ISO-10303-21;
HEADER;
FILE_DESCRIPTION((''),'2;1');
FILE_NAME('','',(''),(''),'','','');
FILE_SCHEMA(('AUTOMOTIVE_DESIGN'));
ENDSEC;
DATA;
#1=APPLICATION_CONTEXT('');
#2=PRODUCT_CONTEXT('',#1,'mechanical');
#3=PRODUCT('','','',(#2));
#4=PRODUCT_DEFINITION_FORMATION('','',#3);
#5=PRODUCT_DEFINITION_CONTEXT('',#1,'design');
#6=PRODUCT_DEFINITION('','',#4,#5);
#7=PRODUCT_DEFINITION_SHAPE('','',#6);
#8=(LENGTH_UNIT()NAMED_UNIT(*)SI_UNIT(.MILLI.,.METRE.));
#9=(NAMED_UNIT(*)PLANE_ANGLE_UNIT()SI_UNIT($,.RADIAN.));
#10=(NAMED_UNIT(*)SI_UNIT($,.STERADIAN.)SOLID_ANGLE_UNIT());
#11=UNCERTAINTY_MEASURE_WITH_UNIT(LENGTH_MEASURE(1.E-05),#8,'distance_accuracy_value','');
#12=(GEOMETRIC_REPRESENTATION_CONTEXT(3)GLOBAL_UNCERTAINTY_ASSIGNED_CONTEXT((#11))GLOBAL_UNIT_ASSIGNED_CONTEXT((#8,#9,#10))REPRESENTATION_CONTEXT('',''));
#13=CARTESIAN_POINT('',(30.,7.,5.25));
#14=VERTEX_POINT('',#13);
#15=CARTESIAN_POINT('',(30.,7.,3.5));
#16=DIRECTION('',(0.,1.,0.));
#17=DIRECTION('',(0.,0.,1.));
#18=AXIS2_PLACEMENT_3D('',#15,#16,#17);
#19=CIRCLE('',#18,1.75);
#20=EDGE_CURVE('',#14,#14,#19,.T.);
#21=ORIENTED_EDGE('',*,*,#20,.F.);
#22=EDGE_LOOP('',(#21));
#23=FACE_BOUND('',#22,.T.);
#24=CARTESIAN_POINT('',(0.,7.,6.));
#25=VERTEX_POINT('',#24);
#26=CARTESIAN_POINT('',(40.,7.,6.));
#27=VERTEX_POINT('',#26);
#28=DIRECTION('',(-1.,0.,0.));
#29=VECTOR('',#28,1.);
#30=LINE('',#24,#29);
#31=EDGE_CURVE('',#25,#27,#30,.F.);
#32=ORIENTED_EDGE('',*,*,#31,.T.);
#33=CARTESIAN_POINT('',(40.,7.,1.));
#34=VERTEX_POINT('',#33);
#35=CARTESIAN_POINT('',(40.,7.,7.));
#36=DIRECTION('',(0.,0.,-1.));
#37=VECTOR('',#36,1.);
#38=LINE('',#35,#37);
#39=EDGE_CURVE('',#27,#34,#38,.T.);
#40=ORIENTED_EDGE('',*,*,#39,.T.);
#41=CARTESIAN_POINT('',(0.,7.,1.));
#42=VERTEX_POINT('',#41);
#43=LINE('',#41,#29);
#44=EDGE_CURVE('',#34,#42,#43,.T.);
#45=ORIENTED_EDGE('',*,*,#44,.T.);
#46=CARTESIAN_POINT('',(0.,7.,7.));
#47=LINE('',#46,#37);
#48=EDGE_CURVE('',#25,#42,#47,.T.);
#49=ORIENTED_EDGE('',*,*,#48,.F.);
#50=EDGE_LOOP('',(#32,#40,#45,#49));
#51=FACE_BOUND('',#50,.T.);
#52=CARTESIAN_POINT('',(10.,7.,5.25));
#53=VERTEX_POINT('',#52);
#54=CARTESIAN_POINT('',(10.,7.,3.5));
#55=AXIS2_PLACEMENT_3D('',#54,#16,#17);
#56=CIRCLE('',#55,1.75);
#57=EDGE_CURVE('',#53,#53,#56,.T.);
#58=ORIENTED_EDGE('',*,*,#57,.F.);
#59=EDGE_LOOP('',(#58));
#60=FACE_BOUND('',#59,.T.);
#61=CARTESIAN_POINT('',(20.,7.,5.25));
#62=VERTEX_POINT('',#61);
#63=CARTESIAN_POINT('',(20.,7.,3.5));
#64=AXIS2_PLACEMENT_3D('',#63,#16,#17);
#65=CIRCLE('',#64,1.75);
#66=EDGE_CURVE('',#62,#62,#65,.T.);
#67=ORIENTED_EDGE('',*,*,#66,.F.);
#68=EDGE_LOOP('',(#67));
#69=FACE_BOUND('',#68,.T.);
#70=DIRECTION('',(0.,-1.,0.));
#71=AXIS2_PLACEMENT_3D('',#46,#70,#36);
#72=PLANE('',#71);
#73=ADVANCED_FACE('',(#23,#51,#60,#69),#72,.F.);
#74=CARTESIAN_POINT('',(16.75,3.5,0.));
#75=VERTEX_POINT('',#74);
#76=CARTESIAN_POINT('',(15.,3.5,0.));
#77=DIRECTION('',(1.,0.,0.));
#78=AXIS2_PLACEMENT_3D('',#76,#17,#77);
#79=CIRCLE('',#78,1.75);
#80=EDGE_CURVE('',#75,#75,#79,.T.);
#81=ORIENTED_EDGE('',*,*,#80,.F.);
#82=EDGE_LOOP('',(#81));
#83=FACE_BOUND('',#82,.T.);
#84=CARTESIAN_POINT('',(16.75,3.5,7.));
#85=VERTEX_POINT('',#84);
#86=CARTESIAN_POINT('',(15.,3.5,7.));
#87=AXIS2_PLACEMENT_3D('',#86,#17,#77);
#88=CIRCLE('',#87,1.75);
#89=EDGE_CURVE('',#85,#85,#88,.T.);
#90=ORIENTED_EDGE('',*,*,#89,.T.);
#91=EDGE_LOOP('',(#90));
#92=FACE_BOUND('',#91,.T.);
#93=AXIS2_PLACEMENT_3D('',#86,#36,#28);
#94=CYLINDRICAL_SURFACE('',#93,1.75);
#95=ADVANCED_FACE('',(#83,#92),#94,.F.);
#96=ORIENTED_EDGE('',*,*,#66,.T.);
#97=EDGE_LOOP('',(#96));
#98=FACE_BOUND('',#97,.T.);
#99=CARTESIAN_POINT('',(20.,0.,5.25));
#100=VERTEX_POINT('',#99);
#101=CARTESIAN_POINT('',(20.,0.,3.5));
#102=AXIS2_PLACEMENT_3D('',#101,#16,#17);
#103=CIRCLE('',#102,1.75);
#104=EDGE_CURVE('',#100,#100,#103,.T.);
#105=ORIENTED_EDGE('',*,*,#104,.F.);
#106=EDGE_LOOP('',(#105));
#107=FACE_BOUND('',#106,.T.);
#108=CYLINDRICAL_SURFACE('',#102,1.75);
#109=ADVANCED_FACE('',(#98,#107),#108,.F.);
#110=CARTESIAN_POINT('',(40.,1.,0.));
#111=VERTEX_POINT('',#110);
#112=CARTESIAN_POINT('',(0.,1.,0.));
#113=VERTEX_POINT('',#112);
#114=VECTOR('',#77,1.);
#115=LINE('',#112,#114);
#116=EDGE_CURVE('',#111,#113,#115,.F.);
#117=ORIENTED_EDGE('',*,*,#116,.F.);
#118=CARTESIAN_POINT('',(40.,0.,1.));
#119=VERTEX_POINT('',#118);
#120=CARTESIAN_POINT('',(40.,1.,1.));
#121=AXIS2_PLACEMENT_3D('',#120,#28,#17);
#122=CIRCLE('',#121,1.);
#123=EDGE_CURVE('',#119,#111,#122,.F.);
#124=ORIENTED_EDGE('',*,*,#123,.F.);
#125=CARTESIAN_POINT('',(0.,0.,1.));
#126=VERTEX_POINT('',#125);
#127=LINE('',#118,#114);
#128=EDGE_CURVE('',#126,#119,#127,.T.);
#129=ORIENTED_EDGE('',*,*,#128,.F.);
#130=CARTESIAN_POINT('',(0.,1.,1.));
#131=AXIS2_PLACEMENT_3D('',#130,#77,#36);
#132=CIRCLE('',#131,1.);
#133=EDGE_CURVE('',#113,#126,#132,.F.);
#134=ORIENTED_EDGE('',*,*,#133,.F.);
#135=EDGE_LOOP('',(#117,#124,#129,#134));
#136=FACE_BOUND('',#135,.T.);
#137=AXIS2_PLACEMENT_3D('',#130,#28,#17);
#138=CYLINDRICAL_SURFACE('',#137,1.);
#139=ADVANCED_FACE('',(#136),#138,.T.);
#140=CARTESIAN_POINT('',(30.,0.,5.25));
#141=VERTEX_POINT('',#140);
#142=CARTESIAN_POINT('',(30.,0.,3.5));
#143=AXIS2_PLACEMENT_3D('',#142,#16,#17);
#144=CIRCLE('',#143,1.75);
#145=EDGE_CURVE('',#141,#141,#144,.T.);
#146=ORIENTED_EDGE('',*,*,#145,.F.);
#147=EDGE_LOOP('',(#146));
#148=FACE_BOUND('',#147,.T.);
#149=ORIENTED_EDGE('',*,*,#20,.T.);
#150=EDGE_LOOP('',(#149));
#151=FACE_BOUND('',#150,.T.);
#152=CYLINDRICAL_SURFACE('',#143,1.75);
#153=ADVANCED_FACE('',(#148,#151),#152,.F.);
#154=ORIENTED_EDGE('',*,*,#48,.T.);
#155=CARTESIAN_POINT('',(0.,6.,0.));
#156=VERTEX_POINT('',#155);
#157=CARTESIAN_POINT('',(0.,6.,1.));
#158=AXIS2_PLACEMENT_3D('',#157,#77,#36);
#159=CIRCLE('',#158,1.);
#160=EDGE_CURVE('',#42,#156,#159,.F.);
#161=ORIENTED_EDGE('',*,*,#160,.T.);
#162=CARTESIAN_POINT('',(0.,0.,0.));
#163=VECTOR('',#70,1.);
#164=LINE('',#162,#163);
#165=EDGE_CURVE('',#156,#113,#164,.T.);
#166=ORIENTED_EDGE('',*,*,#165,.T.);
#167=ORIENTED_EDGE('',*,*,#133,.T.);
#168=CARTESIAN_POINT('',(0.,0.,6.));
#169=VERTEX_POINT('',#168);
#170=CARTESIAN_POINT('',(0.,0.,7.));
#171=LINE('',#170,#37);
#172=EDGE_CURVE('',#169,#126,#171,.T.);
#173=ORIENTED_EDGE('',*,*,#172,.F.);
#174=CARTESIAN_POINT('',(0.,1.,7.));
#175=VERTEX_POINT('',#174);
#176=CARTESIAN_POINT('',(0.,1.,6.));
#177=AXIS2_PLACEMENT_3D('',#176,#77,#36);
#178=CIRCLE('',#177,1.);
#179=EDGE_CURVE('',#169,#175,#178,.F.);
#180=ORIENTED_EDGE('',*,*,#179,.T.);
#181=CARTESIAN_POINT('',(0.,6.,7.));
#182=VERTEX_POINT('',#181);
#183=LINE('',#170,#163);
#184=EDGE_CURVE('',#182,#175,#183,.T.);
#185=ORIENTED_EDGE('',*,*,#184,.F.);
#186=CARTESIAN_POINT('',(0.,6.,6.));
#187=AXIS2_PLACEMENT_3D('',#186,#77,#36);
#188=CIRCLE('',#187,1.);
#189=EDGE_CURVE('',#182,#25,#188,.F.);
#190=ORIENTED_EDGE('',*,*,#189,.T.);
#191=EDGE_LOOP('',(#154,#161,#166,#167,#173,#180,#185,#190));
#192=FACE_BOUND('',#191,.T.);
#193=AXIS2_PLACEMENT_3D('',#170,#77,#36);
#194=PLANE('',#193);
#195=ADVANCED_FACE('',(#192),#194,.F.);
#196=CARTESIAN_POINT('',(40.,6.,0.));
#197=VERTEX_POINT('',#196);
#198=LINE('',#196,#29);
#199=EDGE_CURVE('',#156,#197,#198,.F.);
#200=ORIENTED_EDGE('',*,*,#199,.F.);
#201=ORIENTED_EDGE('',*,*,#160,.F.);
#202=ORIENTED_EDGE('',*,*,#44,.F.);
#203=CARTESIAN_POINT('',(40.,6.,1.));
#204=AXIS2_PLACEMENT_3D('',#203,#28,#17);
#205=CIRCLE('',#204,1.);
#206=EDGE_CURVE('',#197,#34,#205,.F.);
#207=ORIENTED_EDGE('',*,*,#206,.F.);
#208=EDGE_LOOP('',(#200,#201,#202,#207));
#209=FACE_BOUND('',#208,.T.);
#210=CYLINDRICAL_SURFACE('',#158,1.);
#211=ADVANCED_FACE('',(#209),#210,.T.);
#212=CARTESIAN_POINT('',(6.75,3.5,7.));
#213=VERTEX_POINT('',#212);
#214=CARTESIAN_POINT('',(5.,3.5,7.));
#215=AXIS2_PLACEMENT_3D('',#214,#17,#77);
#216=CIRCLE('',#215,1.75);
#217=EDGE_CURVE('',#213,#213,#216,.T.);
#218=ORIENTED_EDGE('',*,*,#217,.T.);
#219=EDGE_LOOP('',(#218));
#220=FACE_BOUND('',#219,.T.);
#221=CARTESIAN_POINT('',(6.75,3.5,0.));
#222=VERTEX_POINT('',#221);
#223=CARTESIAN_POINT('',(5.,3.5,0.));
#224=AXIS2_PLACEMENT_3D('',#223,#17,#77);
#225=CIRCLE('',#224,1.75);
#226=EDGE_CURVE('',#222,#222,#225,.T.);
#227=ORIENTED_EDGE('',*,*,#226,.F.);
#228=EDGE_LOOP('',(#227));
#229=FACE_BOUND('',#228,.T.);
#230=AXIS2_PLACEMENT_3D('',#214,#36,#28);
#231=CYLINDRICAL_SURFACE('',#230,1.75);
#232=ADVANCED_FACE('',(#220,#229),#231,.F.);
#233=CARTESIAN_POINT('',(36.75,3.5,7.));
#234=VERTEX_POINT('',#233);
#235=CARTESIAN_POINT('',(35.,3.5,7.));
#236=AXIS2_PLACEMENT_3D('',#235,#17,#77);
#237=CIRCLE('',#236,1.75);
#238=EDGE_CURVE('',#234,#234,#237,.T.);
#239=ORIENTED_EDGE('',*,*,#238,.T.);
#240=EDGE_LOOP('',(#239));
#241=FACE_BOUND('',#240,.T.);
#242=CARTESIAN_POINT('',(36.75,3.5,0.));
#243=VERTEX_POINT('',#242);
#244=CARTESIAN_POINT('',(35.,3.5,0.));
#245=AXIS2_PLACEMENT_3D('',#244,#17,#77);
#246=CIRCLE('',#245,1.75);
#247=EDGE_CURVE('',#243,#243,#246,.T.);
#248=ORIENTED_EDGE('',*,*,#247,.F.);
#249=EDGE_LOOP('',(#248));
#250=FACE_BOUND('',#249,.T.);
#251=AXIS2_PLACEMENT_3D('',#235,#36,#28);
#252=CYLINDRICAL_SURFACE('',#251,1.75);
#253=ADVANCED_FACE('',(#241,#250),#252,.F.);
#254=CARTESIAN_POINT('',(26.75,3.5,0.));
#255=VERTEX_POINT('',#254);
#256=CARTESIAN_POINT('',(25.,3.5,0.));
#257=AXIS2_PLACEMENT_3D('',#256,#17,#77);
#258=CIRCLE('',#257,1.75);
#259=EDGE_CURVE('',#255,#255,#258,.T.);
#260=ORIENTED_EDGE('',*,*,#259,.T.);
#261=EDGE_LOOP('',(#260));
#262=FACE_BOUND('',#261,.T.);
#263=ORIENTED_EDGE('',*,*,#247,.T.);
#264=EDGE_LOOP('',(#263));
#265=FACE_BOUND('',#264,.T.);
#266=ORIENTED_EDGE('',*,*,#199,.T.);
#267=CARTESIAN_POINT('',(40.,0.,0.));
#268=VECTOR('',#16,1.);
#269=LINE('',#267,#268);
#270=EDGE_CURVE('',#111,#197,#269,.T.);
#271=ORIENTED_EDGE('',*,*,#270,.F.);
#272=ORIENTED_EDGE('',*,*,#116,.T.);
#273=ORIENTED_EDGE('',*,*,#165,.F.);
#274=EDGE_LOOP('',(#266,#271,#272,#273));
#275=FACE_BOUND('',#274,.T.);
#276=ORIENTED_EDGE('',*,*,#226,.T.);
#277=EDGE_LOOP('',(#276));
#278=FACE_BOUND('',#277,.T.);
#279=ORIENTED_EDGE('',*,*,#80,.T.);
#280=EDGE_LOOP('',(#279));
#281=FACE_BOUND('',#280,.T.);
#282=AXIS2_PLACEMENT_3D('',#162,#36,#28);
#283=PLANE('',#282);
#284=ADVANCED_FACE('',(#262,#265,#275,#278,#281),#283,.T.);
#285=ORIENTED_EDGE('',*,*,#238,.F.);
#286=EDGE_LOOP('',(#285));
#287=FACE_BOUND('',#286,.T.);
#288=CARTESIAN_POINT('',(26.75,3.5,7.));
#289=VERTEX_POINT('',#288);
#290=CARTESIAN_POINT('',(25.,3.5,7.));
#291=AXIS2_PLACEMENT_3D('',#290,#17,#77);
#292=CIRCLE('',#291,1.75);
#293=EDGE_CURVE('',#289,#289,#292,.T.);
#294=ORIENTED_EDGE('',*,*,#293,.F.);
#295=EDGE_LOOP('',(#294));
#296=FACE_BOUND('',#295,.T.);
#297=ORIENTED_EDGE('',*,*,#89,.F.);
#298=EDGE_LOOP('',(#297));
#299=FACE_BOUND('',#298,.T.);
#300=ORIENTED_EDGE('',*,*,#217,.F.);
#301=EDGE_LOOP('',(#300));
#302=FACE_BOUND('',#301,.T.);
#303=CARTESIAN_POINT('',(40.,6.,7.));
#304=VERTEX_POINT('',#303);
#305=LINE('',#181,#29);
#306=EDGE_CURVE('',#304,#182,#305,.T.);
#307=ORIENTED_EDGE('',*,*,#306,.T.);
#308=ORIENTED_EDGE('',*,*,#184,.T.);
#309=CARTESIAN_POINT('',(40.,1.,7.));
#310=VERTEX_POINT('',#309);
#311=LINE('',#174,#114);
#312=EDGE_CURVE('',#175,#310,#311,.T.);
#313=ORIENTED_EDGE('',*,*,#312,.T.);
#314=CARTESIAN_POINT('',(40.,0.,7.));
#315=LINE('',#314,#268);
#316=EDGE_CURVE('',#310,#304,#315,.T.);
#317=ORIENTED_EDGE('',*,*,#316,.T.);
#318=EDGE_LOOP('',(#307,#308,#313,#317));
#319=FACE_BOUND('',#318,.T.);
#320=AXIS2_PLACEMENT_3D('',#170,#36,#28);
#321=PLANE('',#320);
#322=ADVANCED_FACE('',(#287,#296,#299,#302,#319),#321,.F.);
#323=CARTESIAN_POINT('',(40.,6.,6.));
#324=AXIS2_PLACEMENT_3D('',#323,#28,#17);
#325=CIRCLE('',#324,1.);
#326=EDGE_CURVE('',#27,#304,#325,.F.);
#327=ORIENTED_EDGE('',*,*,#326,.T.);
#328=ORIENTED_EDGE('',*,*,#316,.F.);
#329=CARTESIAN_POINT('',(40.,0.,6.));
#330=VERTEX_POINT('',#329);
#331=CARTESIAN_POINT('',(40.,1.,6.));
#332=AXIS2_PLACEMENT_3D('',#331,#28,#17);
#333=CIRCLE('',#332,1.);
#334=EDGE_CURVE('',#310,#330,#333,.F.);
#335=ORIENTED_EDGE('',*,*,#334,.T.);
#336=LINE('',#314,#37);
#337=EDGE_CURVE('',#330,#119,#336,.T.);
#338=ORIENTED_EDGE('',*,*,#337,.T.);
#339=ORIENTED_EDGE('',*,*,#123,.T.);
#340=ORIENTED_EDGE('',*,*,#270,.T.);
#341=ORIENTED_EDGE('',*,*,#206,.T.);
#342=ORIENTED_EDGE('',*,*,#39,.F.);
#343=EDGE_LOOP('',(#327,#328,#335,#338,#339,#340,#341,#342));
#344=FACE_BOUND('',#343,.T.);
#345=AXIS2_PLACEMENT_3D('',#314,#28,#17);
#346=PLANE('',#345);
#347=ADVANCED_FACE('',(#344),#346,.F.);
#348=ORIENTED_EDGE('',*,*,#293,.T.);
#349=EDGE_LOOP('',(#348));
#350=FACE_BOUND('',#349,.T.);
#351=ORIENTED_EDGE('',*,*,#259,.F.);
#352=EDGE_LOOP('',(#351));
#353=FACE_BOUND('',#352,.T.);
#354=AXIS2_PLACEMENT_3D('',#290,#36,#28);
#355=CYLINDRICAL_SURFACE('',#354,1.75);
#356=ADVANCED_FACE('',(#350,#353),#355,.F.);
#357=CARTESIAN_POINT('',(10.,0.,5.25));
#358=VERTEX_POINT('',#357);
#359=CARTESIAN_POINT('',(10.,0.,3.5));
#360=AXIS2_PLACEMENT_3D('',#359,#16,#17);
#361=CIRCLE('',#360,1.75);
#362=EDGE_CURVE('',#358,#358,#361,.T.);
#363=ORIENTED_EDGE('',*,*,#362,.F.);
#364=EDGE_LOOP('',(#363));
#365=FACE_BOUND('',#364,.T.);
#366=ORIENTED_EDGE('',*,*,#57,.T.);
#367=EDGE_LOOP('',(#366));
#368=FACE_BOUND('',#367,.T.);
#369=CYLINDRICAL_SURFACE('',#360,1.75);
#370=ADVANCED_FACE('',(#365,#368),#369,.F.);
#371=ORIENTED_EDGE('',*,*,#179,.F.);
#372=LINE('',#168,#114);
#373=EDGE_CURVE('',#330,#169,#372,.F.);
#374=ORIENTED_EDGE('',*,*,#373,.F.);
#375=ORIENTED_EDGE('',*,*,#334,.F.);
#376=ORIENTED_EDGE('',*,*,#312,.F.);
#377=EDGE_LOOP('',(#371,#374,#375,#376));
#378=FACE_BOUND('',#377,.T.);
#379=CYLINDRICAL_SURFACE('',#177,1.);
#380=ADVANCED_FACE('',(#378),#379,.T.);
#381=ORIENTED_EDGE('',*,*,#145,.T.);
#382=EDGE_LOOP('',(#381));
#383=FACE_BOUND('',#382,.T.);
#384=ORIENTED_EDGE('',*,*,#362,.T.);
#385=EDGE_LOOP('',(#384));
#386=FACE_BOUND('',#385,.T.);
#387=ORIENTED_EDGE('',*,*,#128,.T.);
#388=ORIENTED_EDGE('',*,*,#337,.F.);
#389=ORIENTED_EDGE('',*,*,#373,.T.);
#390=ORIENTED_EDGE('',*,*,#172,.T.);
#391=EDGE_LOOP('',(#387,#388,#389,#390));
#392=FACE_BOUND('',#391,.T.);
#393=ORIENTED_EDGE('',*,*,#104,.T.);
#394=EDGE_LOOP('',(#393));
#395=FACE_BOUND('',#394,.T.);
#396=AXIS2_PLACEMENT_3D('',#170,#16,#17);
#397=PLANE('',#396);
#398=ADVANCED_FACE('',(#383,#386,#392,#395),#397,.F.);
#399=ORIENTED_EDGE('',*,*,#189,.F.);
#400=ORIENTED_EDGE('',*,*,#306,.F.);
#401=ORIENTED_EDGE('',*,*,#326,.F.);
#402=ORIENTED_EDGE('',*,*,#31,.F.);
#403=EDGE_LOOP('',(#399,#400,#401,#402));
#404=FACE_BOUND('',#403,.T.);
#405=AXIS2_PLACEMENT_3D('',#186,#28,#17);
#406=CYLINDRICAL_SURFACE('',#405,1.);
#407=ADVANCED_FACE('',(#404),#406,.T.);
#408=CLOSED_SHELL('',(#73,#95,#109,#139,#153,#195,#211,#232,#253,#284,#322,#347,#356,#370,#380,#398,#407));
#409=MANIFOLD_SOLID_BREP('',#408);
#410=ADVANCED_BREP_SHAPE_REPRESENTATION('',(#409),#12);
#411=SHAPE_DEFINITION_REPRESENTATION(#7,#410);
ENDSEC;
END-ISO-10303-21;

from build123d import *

# Parameters (mm, degrees)
SKETCH_1_W          = 40
SKETCH_1_H          = 7
SKETCH_1_R          = 1.75
EXTRUDE_1_DEPTH     = 7
SKETCH_2_R          = 1.75
CUT_EXTRUDE_1_DEPTH = 7
FILLET_1_R          = 1


with BuildPart() as part:
    # 草图1 → 凸台-拉伸1 (new body)
    with BuildSketch(Plane.XY):
        with Locations((20, 3.5)):
            Rectangle(SKETCH_1_W, SKETCH_1_H)
        with Locations((5, 3.5)):
            Circle(SKETCH_1_R, mode=Mode.SUBTRACT)
        with Locations((15, 3.5)):
            Circle(SKETCH_1_R, mode=Mode.SUBTRACT)
        with Locations((25, 3.5)):
            Circle(SKETCH_1_R, mode=Mode.SUBTRACT)
        with Locations((35, 3.5)):
            Circle(SKETCH_1_R, mode=Mode.SUBTRACT)
    extrude(amount=EXTRUDE_1_DEPTH)

    # 草图2 → 切除-拉伸1 (cut)
    with BuildSketch(Plane(origin=(0, 7, 0), x_dir=(1, 0, 0), z_dir=(0, 1, 0))):
        with Locations(Location((20, -3.5, 0), (0, 0, 270))):
            Circle(SKETCH_2_R)
        with Locations(Location((30, -3.5, 0), (0, 0, 270))):
            Circle(SKETCH_2_R)
        with Locations(Location((10, -3.5, 0), (0, 0, 270))):
            Circle(SKETCH_2_R)
    extrude(amount=-CUT_EXTRUDE_1_DEPTH, mode=Mode.SUBTRACT)

    # 圆角1
    fillet_1_edges = [part.edges().sort_by_distance(p)[0] for p in [
        (20, 7, 7),
        (20, 7, 0),
        (20, 0, 0),
        (20, 0, 7),
    ]]
    fillet(fillet_1_edges, radius=FILLET_1_R)


solid = part.part
